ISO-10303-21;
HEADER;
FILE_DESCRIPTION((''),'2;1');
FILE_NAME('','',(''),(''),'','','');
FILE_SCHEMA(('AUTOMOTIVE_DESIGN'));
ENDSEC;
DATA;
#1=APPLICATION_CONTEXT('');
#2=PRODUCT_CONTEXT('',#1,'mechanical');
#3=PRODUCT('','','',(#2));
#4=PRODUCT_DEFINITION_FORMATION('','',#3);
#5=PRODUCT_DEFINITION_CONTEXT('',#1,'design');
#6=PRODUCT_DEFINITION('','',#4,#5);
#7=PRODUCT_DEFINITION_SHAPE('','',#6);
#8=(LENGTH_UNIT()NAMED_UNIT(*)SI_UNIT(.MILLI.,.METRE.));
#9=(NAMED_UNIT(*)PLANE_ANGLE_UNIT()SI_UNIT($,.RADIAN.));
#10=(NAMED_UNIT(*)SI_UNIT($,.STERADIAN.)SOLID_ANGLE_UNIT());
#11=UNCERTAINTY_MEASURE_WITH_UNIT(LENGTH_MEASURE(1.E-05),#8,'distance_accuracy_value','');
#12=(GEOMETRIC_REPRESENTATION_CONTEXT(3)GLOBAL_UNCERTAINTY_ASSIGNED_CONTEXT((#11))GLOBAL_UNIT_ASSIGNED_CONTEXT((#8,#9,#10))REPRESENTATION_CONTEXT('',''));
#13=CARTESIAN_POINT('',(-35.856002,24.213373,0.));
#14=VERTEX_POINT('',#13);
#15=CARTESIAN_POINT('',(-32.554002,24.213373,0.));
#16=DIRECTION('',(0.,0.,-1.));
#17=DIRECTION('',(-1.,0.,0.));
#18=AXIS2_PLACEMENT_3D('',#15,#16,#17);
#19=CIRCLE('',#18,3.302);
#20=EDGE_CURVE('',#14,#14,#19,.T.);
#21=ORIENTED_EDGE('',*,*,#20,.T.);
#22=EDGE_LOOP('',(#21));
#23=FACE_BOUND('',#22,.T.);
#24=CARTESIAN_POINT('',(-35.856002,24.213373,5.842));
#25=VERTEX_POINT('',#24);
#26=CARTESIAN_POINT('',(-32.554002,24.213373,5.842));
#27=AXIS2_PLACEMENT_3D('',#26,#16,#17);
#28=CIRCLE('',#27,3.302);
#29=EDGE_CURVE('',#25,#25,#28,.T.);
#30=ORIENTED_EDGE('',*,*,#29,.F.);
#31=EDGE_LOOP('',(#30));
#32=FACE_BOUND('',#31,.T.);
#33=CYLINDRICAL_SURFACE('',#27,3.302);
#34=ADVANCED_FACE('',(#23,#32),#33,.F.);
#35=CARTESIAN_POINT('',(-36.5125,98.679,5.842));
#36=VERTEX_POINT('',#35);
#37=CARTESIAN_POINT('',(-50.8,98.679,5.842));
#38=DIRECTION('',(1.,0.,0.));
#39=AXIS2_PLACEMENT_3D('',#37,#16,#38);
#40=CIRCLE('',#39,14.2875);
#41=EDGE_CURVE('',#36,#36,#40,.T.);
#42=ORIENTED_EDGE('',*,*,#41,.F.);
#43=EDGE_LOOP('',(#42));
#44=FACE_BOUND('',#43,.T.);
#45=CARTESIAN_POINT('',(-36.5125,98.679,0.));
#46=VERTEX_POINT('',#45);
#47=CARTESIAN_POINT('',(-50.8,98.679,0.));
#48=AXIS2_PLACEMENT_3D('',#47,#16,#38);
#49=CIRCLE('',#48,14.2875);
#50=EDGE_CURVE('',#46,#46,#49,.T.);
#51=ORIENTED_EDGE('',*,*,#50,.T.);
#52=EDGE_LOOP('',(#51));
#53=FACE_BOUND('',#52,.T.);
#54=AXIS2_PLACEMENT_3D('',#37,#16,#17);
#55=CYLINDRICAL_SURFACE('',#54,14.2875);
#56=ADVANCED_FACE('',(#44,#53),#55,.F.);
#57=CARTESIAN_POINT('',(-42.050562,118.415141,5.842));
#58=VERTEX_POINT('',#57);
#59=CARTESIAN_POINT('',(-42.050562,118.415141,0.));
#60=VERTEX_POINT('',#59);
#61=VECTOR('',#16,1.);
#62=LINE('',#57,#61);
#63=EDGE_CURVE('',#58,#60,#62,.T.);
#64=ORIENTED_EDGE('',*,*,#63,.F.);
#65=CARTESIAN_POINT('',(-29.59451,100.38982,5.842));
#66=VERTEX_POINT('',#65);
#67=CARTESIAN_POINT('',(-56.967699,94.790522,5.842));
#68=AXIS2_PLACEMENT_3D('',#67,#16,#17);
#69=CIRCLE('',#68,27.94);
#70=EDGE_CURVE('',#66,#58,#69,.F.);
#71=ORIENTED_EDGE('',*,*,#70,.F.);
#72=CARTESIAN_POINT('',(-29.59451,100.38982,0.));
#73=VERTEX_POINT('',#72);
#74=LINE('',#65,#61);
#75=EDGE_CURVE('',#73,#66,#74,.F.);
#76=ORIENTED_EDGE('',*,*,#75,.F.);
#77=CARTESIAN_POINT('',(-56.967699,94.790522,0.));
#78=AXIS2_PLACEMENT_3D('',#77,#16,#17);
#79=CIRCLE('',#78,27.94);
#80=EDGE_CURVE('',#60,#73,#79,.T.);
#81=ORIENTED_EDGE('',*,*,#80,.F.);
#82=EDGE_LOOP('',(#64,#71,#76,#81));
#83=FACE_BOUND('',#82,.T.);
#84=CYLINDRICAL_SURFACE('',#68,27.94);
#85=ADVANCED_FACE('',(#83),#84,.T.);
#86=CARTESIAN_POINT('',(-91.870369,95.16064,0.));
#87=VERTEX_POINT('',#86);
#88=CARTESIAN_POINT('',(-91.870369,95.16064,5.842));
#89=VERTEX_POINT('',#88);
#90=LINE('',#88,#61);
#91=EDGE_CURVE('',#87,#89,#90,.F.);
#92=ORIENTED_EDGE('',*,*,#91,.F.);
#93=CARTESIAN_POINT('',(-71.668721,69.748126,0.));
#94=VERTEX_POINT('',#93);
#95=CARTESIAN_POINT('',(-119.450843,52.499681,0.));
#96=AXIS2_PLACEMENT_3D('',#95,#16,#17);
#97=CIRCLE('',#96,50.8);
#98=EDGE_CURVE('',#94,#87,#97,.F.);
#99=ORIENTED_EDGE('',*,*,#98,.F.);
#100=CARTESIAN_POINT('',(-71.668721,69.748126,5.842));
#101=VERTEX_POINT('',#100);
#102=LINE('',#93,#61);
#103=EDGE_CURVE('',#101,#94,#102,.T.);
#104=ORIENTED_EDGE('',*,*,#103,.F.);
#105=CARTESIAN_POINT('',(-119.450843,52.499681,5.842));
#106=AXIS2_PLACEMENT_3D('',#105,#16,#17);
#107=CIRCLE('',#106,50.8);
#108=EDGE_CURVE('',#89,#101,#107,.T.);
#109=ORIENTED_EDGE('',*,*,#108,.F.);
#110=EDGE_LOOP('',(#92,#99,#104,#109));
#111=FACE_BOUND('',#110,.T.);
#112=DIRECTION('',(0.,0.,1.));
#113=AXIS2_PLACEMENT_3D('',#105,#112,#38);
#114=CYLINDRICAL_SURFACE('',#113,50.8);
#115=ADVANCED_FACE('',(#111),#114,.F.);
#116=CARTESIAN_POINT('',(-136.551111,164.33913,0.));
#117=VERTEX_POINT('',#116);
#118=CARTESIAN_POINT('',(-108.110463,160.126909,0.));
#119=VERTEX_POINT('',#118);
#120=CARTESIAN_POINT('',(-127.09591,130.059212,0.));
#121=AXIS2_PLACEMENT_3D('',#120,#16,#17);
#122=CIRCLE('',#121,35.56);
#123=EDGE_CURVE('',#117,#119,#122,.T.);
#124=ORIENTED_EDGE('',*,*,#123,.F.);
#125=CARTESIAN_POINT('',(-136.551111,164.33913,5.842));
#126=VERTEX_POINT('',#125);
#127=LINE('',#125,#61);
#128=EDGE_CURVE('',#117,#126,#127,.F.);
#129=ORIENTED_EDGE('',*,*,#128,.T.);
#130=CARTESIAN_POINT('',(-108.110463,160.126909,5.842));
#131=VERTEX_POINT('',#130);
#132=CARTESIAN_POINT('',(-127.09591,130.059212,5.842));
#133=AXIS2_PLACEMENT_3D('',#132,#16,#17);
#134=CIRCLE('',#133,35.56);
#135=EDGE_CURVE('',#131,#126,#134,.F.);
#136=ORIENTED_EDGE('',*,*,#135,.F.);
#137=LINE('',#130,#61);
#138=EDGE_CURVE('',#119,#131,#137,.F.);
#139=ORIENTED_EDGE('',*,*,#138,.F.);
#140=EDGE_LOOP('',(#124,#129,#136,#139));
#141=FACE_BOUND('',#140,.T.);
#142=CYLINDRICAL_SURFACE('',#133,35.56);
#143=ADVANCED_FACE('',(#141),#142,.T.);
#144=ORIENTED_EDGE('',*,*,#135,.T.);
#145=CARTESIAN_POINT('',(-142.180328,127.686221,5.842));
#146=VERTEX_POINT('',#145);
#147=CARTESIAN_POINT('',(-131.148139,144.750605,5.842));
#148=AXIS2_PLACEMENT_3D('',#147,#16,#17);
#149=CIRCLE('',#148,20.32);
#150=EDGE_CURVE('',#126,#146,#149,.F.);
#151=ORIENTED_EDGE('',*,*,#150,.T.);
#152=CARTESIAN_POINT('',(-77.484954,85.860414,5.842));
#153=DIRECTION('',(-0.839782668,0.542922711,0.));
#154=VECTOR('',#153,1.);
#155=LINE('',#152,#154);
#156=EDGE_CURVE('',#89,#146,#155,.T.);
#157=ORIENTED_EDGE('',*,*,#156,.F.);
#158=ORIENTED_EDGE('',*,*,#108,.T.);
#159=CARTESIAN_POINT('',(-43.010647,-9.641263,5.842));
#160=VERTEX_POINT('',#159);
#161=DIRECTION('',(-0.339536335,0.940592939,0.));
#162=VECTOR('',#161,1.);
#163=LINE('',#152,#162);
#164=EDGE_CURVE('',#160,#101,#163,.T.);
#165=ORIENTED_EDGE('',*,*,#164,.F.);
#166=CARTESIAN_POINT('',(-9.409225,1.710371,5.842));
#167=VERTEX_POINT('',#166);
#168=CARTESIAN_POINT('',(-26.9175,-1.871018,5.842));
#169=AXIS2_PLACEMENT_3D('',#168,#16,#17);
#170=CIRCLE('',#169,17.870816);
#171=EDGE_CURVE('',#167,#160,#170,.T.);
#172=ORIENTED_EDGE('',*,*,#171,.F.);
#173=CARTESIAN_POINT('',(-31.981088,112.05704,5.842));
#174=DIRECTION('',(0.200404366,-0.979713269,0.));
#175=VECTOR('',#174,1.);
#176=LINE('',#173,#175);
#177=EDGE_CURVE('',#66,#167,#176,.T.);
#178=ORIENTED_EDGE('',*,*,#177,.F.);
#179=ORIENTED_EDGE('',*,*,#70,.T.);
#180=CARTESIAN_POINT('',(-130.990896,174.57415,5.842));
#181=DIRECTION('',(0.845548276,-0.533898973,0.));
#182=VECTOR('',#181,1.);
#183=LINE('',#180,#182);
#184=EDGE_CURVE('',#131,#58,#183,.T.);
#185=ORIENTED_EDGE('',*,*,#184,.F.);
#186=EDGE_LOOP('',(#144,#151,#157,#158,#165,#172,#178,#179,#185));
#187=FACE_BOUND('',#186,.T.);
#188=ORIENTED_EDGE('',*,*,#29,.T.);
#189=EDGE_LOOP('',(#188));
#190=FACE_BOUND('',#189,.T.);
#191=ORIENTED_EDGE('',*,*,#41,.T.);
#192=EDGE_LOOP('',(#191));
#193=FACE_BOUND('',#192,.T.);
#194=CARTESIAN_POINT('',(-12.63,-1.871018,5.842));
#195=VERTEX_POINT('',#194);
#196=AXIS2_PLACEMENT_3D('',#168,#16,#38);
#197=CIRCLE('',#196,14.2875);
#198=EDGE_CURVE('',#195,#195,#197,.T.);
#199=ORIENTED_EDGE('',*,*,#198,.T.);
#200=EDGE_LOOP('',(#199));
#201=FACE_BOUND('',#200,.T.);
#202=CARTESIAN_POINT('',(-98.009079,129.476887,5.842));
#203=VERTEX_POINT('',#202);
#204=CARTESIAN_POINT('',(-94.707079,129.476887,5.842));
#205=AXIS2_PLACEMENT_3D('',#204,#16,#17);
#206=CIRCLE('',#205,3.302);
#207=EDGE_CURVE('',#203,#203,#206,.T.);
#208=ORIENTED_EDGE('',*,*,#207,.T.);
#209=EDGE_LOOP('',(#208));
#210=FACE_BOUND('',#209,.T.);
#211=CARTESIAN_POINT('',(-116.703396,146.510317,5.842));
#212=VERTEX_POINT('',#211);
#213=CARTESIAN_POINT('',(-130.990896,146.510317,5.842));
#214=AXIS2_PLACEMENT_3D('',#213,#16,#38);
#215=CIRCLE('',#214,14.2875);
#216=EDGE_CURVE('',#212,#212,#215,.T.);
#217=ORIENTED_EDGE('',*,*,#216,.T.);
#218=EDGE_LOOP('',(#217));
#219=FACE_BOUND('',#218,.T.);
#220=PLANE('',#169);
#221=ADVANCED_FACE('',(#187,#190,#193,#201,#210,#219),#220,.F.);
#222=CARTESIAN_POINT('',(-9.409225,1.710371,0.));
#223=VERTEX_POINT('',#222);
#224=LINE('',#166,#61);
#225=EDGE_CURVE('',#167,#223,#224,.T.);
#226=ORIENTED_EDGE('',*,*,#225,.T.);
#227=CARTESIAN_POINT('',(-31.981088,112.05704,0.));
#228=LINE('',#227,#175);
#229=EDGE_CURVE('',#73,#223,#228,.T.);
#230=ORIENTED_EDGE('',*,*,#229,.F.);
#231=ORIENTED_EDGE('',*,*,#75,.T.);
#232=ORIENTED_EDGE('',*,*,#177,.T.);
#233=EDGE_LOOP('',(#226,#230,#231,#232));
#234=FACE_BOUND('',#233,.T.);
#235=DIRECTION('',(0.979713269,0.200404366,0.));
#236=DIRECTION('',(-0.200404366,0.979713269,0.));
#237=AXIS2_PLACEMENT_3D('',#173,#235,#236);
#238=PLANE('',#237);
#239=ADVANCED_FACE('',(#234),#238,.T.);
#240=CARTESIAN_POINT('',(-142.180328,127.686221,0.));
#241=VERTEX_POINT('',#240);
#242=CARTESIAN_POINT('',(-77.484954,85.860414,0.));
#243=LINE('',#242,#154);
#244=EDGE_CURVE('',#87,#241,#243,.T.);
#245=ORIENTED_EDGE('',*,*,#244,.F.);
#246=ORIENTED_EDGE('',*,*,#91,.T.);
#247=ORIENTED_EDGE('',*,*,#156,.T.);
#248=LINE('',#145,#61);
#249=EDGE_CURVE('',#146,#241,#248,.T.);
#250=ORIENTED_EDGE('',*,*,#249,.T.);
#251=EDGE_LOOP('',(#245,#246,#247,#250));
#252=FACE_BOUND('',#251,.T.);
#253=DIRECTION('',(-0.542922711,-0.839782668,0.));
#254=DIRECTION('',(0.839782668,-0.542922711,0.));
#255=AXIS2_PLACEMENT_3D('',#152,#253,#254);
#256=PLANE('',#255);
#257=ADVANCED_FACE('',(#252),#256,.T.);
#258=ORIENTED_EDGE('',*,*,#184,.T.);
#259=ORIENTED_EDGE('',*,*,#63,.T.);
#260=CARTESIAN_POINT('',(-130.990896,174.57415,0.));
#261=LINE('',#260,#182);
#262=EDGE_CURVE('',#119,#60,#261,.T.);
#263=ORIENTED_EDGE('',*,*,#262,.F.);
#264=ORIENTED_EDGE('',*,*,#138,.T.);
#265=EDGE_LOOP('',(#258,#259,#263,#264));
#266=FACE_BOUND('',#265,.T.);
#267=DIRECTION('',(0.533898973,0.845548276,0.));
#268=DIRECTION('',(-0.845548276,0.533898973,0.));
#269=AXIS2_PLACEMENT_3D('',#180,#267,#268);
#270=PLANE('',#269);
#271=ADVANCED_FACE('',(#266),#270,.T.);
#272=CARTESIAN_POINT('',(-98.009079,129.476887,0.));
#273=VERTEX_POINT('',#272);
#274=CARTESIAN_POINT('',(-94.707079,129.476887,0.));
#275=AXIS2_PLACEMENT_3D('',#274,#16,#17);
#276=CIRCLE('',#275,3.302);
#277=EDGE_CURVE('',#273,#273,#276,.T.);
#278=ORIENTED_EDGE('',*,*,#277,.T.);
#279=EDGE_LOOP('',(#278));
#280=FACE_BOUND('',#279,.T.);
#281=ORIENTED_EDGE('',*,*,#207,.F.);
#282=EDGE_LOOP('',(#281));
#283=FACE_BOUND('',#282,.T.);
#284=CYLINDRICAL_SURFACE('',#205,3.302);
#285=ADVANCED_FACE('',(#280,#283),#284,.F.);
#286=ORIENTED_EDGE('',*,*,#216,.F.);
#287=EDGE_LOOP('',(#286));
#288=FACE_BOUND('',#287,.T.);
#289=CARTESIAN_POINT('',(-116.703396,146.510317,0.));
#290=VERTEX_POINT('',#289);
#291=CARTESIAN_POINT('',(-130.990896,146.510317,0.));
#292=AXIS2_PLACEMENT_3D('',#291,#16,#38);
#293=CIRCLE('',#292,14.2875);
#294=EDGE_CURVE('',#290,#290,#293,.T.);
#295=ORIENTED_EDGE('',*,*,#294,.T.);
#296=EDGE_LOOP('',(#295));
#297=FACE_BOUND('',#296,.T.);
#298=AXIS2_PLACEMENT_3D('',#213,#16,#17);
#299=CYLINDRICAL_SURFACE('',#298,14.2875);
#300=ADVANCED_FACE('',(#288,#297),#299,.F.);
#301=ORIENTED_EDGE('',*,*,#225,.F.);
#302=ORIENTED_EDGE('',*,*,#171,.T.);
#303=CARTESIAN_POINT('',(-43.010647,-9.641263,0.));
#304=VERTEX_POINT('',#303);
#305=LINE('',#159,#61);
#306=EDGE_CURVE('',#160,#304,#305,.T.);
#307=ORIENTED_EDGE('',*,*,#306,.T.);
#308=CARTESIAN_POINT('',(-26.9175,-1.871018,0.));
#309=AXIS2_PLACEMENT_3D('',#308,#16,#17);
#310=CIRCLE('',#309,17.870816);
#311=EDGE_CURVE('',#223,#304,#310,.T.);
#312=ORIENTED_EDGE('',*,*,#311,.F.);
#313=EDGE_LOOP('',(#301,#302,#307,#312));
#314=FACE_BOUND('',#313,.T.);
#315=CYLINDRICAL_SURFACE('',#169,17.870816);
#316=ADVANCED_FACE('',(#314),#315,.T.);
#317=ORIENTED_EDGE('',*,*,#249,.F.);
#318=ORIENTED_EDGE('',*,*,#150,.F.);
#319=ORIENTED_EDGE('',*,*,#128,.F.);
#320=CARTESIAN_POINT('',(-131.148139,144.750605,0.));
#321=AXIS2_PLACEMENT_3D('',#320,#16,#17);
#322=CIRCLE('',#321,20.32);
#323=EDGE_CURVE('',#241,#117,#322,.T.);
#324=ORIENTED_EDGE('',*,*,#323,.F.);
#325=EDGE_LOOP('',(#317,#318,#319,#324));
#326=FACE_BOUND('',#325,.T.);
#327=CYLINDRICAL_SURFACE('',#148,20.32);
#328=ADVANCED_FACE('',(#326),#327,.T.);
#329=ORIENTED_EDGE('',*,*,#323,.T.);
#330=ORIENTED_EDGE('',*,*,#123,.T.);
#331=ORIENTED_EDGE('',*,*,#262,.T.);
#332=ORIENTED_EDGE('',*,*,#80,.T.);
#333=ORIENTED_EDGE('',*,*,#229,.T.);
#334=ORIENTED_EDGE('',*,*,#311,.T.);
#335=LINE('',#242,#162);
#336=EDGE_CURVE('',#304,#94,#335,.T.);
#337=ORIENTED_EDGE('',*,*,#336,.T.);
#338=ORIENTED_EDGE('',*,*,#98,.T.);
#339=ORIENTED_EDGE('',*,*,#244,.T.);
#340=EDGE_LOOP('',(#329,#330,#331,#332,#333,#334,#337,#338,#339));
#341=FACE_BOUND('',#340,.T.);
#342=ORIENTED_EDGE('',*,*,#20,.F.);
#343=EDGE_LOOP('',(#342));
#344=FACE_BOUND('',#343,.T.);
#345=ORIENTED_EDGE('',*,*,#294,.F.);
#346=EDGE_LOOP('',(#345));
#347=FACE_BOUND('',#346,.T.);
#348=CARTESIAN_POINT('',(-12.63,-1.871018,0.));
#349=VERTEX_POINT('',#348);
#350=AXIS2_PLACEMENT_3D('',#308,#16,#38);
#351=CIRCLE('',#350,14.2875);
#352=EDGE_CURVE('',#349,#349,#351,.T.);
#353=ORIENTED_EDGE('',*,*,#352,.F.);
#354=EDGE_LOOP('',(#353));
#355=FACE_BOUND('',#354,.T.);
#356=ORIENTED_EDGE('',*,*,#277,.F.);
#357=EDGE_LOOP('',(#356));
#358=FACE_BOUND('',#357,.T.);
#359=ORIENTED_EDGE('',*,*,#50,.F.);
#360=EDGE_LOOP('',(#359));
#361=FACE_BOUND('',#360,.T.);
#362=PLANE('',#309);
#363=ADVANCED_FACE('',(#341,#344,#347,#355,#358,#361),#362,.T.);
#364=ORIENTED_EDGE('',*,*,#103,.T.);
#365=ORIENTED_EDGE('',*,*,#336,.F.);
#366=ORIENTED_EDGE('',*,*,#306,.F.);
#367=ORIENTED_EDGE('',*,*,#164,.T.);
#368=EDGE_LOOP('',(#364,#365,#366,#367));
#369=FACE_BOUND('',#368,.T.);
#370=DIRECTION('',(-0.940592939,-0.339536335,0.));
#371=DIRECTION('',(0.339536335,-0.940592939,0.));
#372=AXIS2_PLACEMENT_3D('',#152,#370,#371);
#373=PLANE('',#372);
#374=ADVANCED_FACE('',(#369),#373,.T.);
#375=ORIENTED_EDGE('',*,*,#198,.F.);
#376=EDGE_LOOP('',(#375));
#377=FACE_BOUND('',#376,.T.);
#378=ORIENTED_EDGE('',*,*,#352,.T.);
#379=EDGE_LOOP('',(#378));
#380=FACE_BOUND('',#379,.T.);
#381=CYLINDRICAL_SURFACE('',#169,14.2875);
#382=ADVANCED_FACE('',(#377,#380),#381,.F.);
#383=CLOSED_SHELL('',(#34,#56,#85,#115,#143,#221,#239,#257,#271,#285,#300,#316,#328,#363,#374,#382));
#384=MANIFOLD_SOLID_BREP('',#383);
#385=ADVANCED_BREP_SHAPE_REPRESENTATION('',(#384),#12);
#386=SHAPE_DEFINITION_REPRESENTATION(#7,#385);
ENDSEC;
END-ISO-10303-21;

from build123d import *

# Parameters (mm, degrees)
SKETCH1_R           = 14.2875
SKETCH1_R_2         = 3.302
BOSS_EXTRUDE1_DEPTH = 5.842
FILLET6_R           = 35.56
FILLET10_R          = 27.94
FILLET13_R          = 50.8
FILLET16_R          = 20.32


with BuildPart() as part:
    # Sketch1 → Boss-Extrude1 (new body)
    with BuildSketch(Plane(origin=(0, 0, 0), x_dir=(-1, 0, 0), z_dir=(0, 0, -1))):
        with BuildLine():
            Line((165.785053206, 142.946766421), (130.990896358, 174.574150067))
            Line((130.990896358, 174.574150067), (31.981087973, 112.057039535))
            Line((31.981087973, 112.057039535), (9.409224511, 1.710371233))
            ThreePointArc((9.409224511, 1.710371233), (21.197749586, -18.801775256), (43.01064713, -9.641263383))
            Line((43.01064713, -9.641263383), (77.484953862, 85.860414024))
            Line((77.484953862, 85.860414024), (165.785053206, 142.946766421))
        make_face()
        with Locations((130.990896358, 146.510317071)):
            Circle(SKETCH1_R, mode=Mode.SUBTRACT)
        with Locations((32.554001794, 24.213373462)):
            Circle(SKETCH1_R_2, mode=Mode.SUBTRACT)
        with Locations((94.707078764, 129.476886965)):
            Circle(SKETCH1_R_2, mode=Mode.SUBTRACT)
        with Locations((50.8, 98.679)):
            Circle(SKETCH1_R, mode=Mode.SUBTRACT)
        with Locations((26.917500437, -1.871018398)):
            Circle(SKETCH1_R, mode=Mode.SUBTRACT)
    extrude(amount=-BOSS_EXTRUDE1_DEPTH)

    # Fillet6
    fillet6_edges = [part.edges().sort_by_distance(p)[0] for p in [
        (-130.990896358, 174.574150067, 2.921),
    ]]
    fillet(fillet6_edges, radius=FILLET6_R)

    # Fillet10
    fillet10_edges = [part.edges().sort_by_distance(p)[0] for p in [
        (-31.981087973, 112.057039535, 2.921),
    ]]
    fillet(fillet10_edges, radius=FILLET10_R)

    # Fillet13
    fillet13_edges = [part.edges().sort_by_distance(p)[0] for p in [
        (-77.484953862, 85.860414024, 2.921),
    ]]
    fillet(fillet13_edges, radius=FILLET13_R)

    # Fillet16
    fillet16_edges = [part.edges().sort_by_distance(p)[0] for p in [
        (-165.785053206, 142.946766421, 2.921),
    ]]
    fillet(fillet16_edges, radius=FILLET16_R)


solid = part.part
